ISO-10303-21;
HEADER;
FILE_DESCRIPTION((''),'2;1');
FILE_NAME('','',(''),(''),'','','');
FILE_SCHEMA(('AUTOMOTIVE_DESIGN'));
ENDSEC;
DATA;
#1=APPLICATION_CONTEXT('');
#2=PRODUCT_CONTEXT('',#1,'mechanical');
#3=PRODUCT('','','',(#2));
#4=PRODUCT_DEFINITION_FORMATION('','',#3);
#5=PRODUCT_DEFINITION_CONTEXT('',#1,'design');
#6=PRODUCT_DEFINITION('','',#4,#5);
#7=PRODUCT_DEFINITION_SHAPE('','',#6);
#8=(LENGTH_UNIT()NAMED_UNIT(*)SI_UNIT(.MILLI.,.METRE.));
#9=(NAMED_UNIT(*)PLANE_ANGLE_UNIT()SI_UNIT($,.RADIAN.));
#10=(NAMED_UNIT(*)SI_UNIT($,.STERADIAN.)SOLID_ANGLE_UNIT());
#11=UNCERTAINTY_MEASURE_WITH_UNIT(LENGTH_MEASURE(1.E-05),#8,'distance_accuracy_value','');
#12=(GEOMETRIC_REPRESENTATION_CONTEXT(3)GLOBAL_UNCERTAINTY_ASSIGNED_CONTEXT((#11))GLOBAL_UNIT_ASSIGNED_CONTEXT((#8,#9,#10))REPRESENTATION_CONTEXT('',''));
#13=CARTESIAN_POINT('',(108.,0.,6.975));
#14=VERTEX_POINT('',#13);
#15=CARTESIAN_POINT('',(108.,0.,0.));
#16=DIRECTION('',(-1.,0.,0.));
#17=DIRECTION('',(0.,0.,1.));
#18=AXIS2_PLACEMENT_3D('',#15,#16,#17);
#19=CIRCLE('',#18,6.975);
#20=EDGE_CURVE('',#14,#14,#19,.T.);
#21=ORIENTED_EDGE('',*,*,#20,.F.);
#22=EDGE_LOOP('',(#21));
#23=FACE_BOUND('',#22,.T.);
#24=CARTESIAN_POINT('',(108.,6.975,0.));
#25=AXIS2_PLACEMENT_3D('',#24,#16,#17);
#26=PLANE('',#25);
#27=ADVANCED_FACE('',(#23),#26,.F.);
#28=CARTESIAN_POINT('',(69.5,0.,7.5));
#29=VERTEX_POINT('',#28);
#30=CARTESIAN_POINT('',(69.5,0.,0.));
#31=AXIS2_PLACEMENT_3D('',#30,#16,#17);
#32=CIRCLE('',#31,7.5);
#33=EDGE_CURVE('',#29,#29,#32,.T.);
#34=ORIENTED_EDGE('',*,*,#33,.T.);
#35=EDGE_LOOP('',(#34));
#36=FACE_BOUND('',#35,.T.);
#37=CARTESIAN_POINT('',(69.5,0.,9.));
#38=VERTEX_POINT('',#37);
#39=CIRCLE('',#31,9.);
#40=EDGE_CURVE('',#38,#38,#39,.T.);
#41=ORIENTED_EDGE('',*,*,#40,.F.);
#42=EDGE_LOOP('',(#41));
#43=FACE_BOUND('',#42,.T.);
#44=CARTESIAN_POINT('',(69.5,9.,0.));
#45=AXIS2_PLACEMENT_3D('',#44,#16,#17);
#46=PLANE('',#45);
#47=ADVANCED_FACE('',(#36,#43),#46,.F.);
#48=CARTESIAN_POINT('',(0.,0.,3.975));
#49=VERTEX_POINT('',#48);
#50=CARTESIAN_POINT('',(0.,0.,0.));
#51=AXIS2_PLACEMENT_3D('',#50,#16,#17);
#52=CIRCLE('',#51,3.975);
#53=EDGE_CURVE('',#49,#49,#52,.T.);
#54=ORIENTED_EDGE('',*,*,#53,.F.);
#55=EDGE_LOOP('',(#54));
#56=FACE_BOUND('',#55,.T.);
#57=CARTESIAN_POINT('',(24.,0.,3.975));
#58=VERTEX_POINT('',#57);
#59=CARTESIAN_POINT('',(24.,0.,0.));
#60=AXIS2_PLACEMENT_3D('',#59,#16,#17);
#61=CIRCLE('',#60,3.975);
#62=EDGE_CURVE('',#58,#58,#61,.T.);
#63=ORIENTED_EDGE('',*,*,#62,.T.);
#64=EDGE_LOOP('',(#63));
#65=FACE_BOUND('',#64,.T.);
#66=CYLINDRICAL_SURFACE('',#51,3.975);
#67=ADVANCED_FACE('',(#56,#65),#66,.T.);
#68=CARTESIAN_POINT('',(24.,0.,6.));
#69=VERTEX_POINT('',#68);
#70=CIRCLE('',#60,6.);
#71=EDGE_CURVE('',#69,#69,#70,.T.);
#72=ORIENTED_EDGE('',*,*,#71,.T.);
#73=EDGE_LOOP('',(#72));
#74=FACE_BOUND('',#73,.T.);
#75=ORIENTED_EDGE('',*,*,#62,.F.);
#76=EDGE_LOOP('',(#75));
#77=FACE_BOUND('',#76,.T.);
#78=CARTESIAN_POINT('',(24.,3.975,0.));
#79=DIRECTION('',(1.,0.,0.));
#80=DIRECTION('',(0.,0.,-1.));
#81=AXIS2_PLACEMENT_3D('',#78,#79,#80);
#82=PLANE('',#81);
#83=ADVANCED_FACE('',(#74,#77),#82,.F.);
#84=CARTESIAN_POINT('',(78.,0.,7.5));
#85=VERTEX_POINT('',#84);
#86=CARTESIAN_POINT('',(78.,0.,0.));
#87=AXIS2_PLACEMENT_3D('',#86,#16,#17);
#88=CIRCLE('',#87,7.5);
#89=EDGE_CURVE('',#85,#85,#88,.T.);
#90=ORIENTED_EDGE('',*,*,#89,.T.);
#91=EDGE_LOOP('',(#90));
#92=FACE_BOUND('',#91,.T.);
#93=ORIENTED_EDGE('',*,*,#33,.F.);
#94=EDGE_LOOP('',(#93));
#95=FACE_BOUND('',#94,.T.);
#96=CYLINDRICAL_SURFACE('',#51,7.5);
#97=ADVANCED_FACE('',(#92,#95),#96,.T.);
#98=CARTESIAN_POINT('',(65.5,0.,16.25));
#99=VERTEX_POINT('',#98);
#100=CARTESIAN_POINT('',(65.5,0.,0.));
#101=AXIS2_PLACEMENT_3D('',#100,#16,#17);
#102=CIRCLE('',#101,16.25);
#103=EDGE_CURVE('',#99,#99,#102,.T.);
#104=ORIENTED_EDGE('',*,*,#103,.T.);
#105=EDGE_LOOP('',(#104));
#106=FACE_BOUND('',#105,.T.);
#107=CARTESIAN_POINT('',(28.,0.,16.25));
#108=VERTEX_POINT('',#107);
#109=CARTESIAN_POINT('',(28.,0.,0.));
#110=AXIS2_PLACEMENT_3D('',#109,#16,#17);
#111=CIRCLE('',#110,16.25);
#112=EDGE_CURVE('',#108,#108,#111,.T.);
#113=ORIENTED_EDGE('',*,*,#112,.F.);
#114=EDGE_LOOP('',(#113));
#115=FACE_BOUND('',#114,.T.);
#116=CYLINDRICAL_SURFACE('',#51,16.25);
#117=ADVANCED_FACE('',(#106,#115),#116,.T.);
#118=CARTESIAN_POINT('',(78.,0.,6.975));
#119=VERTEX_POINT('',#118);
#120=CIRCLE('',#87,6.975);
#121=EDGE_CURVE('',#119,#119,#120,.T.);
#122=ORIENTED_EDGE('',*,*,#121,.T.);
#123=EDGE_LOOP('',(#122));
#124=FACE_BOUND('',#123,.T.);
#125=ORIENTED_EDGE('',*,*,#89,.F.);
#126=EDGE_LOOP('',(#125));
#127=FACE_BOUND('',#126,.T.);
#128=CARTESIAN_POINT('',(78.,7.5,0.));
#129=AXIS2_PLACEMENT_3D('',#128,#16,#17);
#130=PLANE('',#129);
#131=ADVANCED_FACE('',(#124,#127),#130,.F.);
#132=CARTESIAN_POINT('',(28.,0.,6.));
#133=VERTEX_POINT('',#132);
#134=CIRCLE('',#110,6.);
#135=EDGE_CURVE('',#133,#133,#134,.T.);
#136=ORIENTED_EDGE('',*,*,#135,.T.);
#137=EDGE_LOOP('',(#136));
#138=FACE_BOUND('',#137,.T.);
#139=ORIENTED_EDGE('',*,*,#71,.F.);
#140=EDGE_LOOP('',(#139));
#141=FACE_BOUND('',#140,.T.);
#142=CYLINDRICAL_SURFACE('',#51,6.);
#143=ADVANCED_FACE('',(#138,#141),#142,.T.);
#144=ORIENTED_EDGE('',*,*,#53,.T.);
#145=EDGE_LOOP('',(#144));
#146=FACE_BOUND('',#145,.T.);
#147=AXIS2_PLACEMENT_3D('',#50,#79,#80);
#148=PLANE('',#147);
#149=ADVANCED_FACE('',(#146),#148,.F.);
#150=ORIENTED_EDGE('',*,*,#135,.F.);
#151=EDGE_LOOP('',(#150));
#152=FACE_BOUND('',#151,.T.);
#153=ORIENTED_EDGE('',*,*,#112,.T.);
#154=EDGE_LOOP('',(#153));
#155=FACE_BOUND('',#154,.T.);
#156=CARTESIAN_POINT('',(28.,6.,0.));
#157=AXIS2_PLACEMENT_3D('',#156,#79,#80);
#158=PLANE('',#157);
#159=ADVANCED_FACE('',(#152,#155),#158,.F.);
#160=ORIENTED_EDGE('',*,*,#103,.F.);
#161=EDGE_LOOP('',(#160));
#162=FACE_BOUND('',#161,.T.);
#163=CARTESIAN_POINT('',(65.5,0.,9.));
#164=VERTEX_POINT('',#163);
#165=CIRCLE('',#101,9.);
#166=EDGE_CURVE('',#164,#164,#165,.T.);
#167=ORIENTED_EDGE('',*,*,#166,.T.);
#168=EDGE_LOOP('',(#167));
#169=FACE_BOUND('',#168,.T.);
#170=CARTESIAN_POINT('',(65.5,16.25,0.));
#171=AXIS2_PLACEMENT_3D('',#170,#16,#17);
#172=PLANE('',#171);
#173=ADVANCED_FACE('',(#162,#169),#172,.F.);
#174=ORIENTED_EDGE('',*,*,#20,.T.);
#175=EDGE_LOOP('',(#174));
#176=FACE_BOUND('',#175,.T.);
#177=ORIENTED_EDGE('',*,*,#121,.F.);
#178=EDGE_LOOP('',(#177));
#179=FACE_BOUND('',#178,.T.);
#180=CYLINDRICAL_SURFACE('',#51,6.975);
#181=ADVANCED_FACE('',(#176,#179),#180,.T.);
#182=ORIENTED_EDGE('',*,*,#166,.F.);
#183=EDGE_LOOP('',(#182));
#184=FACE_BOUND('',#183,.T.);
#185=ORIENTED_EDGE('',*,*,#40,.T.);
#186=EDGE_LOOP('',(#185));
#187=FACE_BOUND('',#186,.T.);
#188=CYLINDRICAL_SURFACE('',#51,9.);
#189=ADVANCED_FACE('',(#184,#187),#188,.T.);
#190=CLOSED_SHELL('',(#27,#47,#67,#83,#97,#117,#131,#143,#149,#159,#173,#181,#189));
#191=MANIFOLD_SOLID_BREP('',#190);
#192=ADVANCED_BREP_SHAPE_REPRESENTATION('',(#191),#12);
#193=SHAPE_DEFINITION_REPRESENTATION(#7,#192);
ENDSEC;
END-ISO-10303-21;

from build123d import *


with BuildPart() as part:
    # Çizim1 → Döndür1 (revolve)
    with BuildSketch(Plane.XY, mode=Mode.PRIVATE) as d_nd_r1_sk:
        Polygon((0, 0), (0, 3.975), (24, 3.975), (24, 6), (28, 6), (28, 16.25), (65.5, 16.25), (65.5, 9), (69.5, 9), (69.5, 7.5), (78, 7.5), (78, 6.975), (108, 6.975), (108, 0), align=None)
    revolve(d_nd_r1_sk.sketch.rotate(Axis((0, 0, 0), (1, 0, 0)), 90), axis=Axis((0, 0, 0), (1, 0, 0)))


solid = part.part
